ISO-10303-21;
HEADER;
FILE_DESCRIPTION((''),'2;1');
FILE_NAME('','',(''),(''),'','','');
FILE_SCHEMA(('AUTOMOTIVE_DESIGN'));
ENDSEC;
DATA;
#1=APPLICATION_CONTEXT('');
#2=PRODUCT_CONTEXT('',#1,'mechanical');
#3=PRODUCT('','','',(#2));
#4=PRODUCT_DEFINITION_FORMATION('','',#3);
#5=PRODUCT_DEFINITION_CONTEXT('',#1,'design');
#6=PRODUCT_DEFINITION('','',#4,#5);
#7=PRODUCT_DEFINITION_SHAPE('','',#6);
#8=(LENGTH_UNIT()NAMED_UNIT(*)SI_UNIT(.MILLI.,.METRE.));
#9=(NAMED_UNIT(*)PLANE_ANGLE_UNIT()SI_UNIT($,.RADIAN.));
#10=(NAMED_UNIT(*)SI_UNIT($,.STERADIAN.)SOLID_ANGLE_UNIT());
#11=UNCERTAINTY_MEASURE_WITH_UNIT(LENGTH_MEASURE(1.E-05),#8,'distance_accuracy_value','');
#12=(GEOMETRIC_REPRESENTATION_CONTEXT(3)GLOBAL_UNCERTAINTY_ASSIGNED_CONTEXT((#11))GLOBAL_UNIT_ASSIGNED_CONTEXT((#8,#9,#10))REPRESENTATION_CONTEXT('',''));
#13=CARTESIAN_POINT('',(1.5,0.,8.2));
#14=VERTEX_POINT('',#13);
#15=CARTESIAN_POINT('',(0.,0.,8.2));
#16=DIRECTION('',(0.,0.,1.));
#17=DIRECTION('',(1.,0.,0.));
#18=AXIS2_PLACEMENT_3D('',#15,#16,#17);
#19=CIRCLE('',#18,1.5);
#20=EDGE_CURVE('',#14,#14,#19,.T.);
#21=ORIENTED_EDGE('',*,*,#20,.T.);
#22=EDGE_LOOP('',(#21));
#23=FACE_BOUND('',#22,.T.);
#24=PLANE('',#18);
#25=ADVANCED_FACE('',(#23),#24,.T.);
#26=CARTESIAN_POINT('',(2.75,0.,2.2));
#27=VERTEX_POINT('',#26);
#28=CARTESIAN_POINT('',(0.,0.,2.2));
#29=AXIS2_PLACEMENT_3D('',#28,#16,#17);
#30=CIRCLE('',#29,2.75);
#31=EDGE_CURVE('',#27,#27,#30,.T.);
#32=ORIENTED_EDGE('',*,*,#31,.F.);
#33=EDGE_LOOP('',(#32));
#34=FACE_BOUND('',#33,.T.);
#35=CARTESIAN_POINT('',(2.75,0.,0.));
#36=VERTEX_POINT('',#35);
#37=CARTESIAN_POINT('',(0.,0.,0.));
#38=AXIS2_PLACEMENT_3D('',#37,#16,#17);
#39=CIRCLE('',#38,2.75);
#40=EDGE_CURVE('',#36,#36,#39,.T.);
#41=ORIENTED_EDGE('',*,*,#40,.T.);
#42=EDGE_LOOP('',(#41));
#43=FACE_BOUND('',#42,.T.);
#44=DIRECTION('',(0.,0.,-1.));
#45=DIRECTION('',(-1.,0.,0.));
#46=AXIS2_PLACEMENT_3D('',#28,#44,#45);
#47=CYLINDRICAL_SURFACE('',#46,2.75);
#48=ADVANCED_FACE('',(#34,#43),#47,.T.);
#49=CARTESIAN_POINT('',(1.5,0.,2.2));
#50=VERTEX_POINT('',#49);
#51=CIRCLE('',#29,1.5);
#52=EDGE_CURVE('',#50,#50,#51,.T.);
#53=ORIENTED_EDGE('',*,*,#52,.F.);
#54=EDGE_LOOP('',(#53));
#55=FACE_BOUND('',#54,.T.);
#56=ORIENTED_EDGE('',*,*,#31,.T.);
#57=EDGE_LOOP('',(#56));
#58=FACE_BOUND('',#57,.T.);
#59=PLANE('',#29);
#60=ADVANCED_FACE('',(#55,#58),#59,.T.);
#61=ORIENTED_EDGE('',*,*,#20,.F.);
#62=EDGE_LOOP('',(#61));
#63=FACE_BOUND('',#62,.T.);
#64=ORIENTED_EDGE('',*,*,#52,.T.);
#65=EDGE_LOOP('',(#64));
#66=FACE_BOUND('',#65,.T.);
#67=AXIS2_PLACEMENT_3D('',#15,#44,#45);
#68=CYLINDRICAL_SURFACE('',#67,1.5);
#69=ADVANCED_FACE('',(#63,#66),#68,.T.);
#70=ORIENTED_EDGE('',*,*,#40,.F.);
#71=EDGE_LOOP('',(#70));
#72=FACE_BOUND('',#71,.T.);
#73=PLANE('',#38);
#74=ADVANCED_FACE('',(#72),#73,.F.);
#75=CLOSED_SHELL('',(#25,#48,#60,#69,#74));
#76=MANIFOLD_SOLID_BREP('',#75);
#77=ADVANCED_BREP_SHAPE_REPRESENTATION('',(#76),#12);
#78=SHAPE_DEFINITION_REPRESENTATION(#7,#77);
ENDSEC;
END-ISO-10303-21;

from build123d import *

# Parameters (mm, degrees)
SKETCH_1_R      = 2.75
EXTRUDE_1_DEPTH = 2.2
SKETCH_2_R      = 1.5
EXTRUDE_2_DEPTH = 6


with BuildPart() as part:
    # 草图1 → 凸台-拉伸1 (new body)
    with BuildSketch(Plane.XY):
        Circle(SKETCH_1_R)
    extrude(amount=EXTRUDE_1_DEPTH)

    # 草图2 → 凸台-拉伸2 (add)
    with BuildSketch(Plane.XY.offset(2.2)):
        Circle(SKETCH_2_R)
    extrude(amount=EXTRUDE_2_DEPTH)


solid = part.part
